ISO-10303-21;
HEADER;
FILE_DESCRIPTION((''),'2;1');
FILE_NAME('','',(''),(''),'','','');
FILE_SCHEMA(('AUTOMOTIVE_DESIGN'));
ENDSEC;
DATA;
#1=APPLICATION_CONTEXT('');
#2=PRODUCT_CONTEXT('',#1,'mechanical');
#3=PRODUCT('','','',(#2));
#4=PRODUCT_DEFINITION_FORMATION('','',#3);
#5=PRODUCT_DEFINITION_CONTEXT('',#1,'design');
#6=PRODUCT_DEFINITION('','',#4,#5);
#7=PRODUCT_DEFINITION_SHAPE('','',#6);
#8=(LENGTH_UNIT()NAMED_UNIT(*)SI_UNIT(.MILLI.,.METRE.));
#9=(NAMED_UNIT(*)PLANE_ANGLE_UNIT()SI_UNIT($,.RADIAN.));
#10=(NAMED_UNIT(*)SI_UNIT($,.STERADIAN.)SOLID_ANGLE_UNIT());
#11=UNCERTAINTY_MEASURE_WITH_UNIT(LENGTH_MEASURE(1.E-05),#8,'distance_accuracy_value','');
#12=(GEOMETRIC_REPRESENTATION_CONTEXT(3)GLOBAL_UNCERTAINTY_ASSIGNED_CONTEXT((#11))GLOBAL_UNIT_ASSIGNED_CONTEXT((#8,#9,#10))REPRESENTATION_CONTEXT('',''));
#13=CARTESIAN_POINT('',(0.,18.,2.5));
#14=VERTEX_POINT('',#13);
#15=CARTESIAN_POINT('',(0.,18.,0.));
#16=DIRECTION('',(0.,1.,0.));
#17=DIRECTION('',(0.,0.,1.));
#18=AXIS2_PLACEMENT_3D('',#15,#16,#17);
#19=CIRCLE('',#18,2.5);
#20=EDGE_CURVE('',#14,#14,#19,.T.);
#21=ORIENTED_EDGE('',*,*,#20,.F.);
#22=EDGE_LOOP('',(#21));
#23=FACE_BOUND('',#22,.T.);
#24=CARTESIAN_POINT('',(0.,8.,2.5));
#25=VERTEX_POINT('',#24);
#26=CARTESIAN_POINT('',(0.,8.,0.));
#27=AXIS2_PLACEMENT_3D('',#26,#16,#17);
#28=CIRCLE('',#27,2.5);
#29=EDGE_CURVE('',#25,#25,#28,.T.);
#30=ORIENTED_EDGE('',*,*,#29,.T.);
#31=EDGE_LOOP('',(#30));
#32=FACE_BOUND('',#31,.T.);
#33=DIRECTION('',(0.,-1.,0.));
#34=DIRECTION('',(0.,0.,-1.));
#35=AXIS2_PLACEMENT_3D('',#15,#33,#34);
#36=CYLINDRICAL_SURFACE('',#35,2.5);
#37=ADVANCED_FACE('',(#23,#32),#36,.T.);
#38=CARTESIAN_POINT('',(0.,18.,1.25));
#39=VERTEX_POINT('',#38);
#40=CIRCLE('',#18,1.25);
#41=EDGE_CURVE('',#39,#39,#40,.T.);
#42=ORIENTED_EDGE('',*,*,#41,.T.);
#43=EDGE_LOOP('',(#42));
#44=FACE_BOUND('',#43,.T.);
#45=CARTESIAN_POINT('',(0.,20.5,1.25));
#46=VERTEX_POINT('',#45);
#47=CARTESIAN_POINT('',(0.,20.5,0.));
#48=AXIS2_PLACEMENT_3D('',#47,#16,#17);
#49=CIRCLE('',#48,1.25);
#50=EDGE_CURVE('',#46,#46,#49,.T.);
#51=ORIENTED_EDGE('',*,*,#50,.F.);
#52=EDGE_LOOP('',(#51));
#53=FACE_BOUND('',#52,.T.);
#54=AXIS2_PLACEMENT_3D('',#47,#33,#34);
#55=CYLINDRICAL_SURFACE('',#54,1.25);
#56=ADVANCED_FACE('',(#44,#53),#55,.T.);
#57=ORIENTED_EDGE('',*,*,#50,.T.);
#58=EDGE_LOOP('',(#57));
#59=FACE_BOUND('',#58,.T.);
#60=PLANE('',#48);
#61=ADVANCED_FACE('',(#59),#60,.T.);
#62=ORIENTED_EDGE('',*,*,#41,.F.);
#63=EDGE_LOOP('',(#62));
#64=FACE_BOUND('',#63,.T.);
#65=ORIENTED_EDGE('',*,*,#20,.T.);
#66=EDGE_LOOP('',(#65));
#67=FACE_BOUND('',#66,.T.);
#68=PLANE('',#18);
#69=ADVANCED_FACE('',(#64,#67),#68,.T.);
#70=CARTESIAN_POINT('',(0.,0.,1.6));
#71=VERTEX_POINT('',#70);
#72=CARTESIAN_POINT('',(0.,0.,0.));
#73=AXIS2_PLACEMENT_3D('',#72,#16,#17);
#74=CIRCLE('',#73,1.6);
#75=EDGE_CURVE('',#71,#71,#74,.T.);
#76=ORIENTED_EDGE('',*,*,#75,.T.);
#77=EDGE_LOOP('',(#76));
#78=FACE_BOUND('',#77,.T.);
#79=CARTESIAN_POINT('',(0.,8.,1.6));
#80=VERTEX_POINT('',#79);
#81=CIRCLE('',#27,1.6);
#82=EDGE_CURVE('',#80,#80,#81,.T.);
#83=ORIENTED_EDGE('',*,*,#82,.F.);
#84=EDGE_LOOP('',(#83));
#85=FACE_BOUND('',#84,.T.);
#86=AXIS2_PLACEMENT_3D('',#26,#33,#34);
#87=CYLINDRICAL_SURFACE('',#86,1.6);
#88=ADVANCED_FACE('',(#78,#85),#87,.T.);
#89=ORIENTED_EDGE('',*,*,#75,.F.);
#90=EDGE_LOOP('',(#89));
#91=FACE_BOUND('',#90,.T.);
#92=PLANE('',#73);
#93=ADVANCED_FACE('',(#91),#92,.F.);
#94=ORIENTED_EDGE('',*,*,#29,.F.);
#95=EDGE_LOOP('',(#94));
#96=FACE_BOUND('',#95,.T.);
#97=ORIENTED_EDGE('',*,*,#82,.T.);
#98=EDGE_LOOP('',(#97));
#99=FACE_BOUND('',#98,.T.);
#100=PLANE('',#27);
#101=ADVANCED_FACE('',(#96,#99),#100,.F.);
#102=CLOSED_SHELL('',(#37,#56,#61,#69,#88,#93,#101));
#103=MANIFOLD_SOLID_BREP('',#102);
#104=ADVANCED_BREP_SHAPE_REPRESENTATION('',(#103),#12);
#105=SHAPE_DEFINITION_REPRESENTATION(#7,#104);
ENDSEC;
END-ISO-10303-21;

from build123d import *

# Parameters (mm, degrees)
SKETCH_1_R      = 1.6
EXTRUDE_1_DEPTH = 8
SKETCH_2_R      = 2.5
EXTRUDE_2_DEPTH = 10
SKETCH_3_R      = 1.25
EXTRUDE_3_DEPTH = 2.5


with BuildPart() as part:
    # 草图1 → 凸台-拉伸1 (new body)
    with BuildSketch(Plane(origin=(0, 0, 0), x_dir=(1, 0, 0), z_dir=(0, 1, 0))):
        with Locations(Location((0, 0, 0), (0, 0, 270))):
            Circle(SKETCH_1_R)
    extrude(amount=EXTRUDE_1_DEPTH)

    # 草图2 → 凸台-拉伸2 (add)
    with BuildSketch(Plane(origin=(0, 8, 0), x_dir=(1, 0, 0), z_dir=(0, 1, 0))):
        with Locations(Location((0, 0, 0), (0, 0, 270))):
            Circle(SKETCH_2_R)
    extrude(amount=EXTRUDE_2_DEPTH)

    # 草图3 → 凸台-拉伸3 (add)
    with BuildSketch(Plane(origin=(0, 18, 0), x_dir=(1, 0, 0), z_dir=(0, 1, 0))):
        with Locations(Location((0, 0, 0), (0, 0, 270))):
            Circle(SKETCH_3_R)
    extrude(amount=EXTRUDE_3_DEPTH)


solid = part.part
